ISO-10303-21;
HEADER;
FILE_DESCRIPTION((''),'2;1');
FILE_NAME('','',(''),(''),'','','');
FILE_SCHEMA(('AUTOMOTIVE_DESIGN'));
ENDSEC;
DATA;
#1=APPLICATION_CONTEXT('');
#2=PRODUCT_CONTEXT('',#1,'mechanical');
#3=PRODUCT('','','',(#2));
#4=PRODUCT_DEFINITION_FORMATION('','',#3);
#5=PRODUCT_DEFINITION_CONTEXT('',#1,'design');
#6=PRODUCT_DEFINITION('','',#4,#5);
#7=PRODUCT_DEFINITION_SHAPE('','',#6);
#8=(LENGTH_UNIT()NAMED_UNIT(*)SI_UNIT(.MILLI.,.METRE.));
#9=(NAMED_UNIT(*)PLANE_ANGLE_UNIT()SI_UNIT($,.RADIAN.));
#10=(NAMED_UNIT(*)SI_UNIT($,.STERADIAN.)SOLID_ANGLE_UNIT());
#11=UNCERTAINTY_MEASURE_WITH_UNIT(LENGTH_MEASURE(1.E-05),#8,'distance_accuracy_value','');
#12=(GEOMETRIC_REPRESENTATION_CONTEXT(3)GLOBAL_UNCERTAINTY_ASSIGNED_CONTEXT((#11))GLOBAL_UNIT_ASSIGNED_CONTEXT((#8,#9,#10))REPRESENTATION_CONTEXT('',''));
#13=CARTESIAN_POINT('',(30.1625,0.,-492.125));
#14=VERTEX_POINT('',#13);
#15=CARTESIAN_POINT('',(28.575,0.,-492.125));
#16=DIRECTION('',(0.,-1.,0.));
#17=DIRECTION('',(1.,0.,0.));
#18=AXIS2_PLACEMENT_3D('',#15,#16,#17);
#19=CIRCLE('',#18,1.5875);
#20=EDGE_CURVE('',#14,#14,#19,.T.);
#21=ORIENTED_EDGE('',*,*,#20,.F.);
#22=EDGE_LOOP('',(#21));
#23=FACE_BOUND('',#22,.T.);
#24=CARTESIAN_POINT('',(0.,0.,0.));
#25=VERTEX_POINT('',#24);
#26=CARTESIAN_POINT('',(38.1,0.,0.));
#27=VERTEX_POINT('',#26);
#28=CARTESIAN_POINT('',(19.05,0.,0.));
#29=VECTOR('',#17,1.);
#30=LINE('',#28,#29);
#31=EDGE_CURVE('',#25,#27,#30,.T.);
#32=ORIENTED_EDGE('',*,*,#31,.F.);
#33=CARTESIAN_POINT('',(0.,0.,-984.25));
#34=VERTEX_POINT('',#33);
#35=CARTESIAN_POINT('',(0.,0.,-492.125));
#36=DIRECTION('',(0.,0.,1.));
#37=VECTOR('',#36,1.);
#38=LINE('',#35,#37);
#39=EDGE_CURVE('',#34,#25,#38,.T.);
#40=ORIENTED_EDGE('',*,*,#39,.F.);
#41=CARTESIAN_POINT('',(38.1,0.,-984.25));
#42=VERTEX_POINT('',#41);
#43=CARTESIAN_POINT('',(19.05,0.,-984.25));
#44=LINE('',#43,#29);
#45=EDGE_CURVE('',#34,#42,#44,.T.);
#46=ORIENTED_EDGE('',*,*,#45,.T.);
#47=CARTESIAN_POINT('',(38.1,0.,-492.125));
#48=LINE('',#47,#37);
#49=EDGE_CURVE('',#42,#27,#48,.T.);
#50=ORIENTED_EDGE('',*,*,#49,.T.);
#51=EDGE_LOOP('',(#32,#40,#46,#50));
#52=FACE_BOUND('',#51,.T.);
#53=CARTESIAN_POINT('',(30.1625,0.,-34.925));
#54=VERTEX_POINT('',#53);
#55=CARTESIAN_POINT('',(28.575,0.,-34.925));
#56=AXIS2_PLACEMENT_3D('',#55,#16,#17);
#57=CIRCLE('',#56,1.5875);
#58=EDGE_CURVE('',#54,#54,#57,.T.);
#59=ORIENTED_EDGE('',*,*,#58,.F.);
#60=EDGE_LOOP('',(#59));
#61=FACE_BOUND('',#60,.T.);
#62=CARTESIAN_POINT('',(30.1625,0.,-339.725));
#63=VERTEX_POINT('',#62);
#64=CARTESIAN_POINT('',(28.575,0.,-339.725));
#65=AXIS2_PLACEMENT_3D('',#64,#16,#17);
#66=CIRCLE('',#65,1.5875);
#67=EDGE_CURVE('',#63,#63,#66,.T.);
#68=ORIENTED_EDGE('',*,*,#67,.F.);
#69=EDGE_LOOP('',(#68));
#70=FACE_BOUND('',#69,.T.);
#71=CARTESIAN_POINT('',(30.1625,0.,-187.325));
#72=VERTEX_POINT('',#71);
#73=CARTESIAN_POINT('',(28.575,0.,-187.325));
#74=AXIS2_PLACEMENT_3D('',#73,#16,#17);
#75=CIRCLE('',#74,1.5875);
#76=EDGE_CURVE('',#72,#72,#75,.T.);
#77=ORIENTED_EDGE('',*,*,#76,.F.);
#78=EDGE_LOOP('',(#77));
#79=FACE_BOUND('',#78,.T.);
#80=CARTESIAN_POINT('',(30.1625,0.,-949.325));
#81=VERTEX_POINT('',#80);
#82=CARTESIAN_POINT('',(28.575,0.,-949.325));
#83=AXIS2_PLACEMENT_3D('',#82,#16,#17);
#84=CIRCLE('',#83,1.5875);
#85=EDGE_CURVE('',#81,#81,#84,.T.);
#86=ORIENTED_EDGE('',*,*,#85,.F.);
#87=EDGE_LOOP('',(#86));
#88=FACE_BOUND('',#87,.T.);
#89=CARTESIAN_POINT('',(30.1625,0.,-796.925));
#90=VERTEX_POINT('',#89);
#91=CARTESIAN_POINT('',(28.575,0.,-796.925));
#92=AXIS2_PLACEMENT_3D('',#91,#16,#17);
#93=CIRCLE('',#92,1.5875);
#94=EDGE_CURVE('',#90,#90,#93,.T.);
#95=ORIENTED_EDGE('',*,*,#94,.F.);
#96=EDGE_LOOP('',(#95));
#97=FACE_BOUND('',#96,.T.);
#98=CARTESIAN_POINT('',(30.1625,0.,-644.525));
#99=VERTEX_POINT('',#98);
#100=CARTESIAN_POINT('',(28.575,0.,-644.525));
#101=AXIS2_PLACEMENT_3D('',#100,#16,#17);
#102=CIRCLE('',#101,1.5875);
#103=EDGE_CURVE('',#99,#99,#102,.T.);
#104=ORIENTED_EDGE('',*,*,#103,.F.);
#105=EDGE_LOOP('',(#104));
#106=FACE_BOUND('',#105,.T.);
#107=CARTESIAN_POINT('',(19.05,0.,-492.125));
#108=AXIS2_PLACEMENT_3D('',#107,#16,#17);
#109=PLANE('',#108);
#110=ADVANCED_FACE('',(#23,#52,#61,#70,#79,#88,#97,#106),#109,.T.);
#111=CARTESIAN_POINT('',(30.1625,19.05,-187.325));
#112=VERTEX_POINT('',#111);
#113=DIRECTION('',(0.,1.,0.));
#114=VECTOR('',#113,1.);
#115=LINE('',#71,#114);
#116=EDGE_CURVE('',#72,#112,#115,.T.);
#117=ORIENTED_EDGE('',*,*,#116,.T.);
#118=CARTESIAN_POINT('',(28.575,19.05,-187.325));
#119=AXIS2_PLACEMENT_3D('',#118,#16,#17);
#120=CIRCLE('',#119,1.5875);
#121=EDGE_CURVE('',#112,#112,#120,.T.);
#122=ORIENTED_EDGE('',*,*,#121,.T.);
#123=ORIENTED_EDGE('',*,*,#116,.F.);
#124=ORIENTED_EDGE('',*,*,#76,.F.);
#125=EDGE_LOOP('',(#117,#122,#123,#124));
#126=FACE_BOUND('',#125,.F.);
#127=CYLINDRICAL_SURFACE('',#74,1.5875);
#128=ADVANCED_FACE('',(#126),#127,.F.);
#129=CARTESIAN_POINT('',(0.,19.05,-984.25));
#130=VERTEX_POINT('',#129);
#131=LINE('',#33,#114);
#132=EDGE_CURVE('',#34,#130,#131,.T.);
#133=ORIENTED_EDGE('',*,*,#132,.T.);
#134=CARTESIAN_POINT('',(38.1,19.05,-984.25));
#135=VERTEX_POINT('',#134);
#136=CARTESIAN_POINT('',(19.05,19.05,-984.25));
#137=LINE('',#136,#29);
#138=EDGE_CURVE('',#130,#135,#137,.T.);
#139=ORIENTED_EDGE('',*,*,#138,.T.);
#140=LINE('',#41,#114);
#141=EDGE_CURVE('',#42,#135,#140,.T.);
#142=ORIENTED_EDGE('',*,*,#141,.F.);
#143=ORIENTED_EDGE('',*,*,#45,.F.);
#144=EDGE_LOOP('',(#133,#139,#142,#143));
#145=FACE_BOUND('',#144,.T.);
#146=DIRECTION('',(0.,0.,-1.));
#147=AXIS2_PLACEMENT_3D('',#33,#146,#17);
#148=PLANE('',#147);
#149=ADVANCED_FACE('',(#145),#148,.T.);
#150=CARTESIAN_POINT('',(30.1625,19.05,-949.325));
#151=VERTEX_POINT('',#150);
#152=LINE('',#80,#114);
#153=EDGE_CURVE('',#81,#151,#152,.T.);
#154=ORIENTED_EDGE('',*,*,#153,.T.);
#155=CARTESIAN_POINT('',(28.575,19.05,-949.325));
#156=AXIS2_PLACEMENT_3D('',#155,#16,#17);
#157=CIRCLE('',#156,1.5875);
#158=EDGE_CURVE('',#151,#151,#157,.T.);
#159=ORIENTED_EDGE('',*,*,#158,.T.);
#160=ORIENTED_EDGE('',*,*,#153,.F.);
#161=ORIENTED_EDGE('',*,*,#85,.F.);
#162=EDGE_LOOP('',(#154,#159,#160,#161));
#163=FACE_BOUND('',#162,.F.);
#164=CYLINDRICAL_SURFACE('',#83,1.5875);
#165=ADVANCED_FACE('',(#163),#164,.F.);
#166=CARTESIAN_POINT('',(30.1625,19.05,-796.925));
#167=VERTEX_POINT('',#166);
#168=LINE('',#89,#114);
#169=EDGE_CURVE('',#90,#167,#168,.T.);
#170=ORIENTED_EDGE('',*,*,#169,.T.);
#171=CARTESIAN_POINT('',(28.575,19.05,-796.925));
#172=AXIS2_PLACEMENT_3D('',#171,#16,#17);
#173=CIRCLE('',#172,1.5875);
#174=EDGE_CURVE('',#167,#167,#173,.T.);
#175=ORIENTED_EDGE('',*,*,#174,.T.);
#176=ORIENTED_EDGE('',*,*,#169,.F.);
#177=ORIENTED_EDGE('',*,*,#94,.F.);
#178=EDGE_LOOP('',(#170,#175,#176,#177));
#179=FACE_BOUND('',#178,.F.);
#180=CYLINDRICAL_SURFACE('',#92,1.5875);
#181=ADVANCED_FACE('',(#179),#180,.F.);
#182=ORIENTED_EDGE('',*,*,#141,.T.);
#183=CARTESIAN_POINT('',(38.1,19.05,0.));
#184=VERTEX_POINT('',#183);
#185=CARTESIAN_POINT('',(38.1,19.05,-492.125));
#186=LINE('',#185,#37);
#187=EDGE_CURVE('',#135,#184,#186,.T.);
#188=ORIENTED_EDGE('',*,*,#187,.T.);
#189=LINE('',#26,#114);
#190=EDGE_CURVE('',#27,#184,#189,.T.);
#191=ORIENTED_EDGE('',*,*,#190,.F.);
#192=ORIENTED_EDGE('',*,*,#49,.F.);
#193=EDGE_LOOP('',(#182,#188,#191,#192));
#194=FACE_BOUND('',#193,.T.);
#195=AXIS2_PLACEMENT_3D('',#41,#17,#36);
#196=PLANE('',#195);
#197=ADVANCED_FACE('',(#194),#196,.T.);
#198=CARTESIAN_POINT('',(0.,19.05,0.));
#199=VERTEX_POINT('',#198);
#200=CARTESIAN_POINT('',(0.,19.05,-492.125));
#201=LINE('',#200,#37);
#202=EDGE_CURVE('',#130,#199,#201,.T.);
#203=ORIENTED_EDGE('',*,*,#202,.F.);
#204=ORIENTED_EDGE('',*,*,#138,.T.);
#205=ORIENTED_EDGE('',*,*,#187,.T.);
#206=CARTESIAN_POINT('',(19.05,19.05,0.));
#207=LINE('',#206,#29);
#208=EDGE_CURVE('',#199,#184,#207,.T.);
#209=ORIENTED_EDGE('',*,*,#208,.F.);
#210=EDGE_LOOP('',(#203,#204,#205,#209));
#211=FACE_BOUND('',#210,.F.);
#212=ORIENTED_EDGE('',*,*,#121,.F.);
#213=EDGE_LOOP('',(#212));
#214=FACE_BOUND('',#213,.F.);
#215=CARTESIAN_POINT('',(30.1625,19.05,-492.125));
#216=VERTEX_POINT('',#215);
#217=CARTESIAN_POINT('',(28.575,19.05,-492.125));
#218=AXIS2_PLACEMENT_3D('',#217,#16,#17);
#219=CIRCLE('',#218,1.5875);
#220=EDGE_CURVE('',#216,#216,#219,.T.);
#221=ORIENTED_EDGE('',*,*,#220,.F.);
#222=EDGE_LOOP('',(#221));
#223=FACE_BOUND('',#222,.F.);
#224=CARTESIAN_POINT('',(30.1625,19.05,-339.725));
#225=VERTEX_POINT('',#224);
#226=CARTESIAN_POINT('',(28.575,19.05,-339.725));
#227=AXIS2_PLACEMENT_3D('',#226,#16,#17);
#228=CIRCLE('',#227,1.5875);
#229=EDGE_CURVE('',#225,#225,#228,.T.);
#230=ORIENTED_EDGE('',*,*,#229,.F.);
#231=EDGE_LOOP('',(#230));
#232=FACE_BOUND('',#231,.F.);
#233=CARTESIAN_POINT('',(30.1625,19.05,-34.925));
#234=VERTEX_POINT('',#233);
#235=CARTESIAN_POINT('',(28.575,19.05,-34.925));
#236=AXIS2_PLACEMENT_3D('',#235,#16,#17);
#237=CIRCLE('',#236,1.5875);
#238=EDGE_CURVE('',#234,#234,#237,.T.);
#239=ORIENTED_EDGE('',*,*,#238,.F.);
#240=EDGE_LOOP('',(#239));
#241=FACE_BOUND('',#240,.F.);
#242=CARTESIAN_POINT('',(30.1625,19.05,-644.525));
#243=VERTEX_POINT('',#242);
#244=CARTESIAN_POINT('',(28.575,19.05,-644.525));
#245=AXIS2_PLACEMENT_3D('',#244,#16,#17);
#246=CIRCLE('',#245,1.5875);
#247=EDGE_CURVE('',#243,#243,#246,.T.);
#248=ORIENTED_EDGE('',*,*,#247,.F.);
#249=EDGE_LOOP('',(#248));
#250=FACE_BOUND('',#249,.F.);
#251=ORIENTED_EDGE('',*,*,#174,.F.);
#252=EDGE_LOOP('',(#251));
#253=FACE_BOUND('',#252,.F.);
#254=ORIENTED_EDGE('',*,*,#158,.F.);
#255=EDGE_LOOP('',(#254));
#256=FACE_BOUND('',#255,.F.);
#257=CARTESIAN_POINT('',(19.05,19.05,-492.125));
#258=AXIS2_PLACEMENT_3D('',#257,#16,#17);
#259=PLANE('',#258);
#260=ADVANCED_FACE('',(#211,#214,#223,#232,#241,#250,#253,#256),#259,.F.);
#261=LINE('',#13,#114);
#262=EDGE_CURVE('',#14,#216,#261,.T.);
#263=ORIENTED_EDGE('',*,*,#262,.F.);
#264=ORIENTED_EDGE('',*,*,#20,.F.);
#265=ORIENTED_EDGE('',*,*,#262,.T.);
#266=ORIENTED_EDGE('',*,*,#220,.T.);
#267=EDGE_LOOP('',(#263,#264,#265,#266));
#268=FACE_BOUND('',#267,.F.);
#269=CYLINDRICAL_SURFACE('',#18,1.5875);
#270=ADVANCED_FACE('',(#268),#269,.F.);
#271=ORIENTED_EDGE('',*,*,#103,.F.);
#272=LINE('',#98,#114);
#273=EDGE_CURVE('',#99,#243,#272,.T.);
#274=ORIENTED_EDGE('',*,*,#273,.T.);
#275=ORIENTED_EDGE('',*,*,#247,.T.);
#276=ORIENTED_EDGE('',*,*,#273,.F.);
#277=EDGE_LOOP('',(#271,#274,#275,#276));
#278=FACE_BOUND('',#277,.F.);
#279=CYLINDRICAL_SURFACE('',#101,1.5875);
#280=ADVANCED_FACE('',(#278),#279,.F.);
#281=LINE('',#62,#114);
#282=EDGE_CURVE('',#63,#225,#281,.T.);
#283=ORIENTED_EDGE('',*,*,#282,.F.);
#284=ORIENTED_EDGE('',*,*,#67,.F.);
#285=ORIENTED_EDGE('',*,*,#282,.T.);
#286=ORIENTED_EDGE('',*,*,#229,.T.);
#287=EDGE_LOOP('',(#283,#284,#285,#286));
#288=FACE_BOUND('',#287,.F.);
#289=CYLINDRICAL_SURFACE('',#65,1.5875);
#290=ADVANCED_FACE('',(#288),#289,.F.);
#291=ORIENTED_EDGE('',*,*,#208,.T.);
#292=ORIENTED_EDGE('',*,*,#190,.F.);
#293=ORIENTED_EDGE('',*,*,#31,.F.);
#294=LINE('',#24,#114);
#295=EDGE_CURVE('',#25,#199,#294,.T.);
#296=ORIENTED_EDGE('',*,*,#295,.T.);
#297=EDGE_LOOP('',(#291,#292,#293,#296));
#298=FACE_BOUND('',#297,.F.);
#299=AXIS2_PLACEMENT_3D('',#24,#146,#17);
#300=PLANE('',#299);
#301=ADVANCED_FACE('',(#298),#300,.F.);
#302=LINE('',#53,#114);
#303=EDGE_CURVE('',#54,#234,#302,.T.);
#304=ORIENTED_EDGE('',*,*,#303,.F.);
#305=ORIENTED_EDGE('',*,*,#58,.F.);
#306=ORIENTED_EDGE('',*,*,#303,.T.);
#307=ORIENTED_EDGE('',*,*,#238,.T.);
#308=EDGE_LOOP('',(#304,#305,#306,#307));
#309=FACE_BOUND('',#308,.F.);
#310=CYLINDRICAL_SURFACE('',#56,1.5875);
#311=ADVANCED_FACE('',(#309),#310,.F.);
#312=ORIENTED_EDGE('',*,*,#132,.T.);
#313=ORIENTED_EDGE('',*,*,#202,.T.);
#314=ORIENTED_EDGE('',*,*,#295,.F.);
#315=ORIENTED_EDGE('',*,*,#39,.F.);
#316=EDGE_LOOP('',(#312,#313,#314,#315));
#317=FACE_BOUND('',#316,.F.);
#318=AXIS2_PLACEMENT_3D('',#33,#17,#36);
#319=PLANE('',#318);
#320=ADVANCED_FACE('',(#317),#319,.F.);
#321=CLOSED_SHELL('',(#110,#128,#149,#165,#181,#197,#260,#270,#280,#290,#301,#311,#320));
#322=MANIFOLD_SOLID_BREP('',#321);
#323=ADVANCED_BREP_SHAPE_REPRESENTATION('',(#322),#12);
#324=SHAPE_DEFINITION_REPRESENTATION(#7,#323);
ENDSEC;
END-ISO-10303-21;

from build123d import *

# Parameters (mm, degrees)
F0_W     = 38.1
F0_H     = 984.25
F1_DEPTH = 19.05
F2_R     = 1.5875
F3_DEPTH = 19.051


with BuildPart() as f1:
    # F0 (on Front) → F1 (new body)
    with BuildSketch(Plane.XZ):
        with Locations((19.05, -492.125)):
            Rectangle(F0_W, F0_H)
    extrude(amount=-F1_DEPTH)

    # F2 (on Front) → F3 (cut, through all)
    with BuildSketch(Plane.XZ):
        with Locations((28.575, -34.925)):
            Circle(F2_R)
        with Locations((28.575, -187.325)):
            Circle(F2_R)
        with Locations((28.575, -339.725)):
            Circle(F2_R)
        with Locations((28.575, -492.125)):
            Circle(F2_R)
        with Locations((28.575, -644.525)):
            Circle(F2_R)
        with Locations((28.575, -796.925)):
            Circle(F2_R)
        with Locations((28.575, -949.325)):
            Circle(F2_R)
    extrude(amount=-F3_DEPTH, mode=Mode.SUBTRACT)


solid = f1.part
